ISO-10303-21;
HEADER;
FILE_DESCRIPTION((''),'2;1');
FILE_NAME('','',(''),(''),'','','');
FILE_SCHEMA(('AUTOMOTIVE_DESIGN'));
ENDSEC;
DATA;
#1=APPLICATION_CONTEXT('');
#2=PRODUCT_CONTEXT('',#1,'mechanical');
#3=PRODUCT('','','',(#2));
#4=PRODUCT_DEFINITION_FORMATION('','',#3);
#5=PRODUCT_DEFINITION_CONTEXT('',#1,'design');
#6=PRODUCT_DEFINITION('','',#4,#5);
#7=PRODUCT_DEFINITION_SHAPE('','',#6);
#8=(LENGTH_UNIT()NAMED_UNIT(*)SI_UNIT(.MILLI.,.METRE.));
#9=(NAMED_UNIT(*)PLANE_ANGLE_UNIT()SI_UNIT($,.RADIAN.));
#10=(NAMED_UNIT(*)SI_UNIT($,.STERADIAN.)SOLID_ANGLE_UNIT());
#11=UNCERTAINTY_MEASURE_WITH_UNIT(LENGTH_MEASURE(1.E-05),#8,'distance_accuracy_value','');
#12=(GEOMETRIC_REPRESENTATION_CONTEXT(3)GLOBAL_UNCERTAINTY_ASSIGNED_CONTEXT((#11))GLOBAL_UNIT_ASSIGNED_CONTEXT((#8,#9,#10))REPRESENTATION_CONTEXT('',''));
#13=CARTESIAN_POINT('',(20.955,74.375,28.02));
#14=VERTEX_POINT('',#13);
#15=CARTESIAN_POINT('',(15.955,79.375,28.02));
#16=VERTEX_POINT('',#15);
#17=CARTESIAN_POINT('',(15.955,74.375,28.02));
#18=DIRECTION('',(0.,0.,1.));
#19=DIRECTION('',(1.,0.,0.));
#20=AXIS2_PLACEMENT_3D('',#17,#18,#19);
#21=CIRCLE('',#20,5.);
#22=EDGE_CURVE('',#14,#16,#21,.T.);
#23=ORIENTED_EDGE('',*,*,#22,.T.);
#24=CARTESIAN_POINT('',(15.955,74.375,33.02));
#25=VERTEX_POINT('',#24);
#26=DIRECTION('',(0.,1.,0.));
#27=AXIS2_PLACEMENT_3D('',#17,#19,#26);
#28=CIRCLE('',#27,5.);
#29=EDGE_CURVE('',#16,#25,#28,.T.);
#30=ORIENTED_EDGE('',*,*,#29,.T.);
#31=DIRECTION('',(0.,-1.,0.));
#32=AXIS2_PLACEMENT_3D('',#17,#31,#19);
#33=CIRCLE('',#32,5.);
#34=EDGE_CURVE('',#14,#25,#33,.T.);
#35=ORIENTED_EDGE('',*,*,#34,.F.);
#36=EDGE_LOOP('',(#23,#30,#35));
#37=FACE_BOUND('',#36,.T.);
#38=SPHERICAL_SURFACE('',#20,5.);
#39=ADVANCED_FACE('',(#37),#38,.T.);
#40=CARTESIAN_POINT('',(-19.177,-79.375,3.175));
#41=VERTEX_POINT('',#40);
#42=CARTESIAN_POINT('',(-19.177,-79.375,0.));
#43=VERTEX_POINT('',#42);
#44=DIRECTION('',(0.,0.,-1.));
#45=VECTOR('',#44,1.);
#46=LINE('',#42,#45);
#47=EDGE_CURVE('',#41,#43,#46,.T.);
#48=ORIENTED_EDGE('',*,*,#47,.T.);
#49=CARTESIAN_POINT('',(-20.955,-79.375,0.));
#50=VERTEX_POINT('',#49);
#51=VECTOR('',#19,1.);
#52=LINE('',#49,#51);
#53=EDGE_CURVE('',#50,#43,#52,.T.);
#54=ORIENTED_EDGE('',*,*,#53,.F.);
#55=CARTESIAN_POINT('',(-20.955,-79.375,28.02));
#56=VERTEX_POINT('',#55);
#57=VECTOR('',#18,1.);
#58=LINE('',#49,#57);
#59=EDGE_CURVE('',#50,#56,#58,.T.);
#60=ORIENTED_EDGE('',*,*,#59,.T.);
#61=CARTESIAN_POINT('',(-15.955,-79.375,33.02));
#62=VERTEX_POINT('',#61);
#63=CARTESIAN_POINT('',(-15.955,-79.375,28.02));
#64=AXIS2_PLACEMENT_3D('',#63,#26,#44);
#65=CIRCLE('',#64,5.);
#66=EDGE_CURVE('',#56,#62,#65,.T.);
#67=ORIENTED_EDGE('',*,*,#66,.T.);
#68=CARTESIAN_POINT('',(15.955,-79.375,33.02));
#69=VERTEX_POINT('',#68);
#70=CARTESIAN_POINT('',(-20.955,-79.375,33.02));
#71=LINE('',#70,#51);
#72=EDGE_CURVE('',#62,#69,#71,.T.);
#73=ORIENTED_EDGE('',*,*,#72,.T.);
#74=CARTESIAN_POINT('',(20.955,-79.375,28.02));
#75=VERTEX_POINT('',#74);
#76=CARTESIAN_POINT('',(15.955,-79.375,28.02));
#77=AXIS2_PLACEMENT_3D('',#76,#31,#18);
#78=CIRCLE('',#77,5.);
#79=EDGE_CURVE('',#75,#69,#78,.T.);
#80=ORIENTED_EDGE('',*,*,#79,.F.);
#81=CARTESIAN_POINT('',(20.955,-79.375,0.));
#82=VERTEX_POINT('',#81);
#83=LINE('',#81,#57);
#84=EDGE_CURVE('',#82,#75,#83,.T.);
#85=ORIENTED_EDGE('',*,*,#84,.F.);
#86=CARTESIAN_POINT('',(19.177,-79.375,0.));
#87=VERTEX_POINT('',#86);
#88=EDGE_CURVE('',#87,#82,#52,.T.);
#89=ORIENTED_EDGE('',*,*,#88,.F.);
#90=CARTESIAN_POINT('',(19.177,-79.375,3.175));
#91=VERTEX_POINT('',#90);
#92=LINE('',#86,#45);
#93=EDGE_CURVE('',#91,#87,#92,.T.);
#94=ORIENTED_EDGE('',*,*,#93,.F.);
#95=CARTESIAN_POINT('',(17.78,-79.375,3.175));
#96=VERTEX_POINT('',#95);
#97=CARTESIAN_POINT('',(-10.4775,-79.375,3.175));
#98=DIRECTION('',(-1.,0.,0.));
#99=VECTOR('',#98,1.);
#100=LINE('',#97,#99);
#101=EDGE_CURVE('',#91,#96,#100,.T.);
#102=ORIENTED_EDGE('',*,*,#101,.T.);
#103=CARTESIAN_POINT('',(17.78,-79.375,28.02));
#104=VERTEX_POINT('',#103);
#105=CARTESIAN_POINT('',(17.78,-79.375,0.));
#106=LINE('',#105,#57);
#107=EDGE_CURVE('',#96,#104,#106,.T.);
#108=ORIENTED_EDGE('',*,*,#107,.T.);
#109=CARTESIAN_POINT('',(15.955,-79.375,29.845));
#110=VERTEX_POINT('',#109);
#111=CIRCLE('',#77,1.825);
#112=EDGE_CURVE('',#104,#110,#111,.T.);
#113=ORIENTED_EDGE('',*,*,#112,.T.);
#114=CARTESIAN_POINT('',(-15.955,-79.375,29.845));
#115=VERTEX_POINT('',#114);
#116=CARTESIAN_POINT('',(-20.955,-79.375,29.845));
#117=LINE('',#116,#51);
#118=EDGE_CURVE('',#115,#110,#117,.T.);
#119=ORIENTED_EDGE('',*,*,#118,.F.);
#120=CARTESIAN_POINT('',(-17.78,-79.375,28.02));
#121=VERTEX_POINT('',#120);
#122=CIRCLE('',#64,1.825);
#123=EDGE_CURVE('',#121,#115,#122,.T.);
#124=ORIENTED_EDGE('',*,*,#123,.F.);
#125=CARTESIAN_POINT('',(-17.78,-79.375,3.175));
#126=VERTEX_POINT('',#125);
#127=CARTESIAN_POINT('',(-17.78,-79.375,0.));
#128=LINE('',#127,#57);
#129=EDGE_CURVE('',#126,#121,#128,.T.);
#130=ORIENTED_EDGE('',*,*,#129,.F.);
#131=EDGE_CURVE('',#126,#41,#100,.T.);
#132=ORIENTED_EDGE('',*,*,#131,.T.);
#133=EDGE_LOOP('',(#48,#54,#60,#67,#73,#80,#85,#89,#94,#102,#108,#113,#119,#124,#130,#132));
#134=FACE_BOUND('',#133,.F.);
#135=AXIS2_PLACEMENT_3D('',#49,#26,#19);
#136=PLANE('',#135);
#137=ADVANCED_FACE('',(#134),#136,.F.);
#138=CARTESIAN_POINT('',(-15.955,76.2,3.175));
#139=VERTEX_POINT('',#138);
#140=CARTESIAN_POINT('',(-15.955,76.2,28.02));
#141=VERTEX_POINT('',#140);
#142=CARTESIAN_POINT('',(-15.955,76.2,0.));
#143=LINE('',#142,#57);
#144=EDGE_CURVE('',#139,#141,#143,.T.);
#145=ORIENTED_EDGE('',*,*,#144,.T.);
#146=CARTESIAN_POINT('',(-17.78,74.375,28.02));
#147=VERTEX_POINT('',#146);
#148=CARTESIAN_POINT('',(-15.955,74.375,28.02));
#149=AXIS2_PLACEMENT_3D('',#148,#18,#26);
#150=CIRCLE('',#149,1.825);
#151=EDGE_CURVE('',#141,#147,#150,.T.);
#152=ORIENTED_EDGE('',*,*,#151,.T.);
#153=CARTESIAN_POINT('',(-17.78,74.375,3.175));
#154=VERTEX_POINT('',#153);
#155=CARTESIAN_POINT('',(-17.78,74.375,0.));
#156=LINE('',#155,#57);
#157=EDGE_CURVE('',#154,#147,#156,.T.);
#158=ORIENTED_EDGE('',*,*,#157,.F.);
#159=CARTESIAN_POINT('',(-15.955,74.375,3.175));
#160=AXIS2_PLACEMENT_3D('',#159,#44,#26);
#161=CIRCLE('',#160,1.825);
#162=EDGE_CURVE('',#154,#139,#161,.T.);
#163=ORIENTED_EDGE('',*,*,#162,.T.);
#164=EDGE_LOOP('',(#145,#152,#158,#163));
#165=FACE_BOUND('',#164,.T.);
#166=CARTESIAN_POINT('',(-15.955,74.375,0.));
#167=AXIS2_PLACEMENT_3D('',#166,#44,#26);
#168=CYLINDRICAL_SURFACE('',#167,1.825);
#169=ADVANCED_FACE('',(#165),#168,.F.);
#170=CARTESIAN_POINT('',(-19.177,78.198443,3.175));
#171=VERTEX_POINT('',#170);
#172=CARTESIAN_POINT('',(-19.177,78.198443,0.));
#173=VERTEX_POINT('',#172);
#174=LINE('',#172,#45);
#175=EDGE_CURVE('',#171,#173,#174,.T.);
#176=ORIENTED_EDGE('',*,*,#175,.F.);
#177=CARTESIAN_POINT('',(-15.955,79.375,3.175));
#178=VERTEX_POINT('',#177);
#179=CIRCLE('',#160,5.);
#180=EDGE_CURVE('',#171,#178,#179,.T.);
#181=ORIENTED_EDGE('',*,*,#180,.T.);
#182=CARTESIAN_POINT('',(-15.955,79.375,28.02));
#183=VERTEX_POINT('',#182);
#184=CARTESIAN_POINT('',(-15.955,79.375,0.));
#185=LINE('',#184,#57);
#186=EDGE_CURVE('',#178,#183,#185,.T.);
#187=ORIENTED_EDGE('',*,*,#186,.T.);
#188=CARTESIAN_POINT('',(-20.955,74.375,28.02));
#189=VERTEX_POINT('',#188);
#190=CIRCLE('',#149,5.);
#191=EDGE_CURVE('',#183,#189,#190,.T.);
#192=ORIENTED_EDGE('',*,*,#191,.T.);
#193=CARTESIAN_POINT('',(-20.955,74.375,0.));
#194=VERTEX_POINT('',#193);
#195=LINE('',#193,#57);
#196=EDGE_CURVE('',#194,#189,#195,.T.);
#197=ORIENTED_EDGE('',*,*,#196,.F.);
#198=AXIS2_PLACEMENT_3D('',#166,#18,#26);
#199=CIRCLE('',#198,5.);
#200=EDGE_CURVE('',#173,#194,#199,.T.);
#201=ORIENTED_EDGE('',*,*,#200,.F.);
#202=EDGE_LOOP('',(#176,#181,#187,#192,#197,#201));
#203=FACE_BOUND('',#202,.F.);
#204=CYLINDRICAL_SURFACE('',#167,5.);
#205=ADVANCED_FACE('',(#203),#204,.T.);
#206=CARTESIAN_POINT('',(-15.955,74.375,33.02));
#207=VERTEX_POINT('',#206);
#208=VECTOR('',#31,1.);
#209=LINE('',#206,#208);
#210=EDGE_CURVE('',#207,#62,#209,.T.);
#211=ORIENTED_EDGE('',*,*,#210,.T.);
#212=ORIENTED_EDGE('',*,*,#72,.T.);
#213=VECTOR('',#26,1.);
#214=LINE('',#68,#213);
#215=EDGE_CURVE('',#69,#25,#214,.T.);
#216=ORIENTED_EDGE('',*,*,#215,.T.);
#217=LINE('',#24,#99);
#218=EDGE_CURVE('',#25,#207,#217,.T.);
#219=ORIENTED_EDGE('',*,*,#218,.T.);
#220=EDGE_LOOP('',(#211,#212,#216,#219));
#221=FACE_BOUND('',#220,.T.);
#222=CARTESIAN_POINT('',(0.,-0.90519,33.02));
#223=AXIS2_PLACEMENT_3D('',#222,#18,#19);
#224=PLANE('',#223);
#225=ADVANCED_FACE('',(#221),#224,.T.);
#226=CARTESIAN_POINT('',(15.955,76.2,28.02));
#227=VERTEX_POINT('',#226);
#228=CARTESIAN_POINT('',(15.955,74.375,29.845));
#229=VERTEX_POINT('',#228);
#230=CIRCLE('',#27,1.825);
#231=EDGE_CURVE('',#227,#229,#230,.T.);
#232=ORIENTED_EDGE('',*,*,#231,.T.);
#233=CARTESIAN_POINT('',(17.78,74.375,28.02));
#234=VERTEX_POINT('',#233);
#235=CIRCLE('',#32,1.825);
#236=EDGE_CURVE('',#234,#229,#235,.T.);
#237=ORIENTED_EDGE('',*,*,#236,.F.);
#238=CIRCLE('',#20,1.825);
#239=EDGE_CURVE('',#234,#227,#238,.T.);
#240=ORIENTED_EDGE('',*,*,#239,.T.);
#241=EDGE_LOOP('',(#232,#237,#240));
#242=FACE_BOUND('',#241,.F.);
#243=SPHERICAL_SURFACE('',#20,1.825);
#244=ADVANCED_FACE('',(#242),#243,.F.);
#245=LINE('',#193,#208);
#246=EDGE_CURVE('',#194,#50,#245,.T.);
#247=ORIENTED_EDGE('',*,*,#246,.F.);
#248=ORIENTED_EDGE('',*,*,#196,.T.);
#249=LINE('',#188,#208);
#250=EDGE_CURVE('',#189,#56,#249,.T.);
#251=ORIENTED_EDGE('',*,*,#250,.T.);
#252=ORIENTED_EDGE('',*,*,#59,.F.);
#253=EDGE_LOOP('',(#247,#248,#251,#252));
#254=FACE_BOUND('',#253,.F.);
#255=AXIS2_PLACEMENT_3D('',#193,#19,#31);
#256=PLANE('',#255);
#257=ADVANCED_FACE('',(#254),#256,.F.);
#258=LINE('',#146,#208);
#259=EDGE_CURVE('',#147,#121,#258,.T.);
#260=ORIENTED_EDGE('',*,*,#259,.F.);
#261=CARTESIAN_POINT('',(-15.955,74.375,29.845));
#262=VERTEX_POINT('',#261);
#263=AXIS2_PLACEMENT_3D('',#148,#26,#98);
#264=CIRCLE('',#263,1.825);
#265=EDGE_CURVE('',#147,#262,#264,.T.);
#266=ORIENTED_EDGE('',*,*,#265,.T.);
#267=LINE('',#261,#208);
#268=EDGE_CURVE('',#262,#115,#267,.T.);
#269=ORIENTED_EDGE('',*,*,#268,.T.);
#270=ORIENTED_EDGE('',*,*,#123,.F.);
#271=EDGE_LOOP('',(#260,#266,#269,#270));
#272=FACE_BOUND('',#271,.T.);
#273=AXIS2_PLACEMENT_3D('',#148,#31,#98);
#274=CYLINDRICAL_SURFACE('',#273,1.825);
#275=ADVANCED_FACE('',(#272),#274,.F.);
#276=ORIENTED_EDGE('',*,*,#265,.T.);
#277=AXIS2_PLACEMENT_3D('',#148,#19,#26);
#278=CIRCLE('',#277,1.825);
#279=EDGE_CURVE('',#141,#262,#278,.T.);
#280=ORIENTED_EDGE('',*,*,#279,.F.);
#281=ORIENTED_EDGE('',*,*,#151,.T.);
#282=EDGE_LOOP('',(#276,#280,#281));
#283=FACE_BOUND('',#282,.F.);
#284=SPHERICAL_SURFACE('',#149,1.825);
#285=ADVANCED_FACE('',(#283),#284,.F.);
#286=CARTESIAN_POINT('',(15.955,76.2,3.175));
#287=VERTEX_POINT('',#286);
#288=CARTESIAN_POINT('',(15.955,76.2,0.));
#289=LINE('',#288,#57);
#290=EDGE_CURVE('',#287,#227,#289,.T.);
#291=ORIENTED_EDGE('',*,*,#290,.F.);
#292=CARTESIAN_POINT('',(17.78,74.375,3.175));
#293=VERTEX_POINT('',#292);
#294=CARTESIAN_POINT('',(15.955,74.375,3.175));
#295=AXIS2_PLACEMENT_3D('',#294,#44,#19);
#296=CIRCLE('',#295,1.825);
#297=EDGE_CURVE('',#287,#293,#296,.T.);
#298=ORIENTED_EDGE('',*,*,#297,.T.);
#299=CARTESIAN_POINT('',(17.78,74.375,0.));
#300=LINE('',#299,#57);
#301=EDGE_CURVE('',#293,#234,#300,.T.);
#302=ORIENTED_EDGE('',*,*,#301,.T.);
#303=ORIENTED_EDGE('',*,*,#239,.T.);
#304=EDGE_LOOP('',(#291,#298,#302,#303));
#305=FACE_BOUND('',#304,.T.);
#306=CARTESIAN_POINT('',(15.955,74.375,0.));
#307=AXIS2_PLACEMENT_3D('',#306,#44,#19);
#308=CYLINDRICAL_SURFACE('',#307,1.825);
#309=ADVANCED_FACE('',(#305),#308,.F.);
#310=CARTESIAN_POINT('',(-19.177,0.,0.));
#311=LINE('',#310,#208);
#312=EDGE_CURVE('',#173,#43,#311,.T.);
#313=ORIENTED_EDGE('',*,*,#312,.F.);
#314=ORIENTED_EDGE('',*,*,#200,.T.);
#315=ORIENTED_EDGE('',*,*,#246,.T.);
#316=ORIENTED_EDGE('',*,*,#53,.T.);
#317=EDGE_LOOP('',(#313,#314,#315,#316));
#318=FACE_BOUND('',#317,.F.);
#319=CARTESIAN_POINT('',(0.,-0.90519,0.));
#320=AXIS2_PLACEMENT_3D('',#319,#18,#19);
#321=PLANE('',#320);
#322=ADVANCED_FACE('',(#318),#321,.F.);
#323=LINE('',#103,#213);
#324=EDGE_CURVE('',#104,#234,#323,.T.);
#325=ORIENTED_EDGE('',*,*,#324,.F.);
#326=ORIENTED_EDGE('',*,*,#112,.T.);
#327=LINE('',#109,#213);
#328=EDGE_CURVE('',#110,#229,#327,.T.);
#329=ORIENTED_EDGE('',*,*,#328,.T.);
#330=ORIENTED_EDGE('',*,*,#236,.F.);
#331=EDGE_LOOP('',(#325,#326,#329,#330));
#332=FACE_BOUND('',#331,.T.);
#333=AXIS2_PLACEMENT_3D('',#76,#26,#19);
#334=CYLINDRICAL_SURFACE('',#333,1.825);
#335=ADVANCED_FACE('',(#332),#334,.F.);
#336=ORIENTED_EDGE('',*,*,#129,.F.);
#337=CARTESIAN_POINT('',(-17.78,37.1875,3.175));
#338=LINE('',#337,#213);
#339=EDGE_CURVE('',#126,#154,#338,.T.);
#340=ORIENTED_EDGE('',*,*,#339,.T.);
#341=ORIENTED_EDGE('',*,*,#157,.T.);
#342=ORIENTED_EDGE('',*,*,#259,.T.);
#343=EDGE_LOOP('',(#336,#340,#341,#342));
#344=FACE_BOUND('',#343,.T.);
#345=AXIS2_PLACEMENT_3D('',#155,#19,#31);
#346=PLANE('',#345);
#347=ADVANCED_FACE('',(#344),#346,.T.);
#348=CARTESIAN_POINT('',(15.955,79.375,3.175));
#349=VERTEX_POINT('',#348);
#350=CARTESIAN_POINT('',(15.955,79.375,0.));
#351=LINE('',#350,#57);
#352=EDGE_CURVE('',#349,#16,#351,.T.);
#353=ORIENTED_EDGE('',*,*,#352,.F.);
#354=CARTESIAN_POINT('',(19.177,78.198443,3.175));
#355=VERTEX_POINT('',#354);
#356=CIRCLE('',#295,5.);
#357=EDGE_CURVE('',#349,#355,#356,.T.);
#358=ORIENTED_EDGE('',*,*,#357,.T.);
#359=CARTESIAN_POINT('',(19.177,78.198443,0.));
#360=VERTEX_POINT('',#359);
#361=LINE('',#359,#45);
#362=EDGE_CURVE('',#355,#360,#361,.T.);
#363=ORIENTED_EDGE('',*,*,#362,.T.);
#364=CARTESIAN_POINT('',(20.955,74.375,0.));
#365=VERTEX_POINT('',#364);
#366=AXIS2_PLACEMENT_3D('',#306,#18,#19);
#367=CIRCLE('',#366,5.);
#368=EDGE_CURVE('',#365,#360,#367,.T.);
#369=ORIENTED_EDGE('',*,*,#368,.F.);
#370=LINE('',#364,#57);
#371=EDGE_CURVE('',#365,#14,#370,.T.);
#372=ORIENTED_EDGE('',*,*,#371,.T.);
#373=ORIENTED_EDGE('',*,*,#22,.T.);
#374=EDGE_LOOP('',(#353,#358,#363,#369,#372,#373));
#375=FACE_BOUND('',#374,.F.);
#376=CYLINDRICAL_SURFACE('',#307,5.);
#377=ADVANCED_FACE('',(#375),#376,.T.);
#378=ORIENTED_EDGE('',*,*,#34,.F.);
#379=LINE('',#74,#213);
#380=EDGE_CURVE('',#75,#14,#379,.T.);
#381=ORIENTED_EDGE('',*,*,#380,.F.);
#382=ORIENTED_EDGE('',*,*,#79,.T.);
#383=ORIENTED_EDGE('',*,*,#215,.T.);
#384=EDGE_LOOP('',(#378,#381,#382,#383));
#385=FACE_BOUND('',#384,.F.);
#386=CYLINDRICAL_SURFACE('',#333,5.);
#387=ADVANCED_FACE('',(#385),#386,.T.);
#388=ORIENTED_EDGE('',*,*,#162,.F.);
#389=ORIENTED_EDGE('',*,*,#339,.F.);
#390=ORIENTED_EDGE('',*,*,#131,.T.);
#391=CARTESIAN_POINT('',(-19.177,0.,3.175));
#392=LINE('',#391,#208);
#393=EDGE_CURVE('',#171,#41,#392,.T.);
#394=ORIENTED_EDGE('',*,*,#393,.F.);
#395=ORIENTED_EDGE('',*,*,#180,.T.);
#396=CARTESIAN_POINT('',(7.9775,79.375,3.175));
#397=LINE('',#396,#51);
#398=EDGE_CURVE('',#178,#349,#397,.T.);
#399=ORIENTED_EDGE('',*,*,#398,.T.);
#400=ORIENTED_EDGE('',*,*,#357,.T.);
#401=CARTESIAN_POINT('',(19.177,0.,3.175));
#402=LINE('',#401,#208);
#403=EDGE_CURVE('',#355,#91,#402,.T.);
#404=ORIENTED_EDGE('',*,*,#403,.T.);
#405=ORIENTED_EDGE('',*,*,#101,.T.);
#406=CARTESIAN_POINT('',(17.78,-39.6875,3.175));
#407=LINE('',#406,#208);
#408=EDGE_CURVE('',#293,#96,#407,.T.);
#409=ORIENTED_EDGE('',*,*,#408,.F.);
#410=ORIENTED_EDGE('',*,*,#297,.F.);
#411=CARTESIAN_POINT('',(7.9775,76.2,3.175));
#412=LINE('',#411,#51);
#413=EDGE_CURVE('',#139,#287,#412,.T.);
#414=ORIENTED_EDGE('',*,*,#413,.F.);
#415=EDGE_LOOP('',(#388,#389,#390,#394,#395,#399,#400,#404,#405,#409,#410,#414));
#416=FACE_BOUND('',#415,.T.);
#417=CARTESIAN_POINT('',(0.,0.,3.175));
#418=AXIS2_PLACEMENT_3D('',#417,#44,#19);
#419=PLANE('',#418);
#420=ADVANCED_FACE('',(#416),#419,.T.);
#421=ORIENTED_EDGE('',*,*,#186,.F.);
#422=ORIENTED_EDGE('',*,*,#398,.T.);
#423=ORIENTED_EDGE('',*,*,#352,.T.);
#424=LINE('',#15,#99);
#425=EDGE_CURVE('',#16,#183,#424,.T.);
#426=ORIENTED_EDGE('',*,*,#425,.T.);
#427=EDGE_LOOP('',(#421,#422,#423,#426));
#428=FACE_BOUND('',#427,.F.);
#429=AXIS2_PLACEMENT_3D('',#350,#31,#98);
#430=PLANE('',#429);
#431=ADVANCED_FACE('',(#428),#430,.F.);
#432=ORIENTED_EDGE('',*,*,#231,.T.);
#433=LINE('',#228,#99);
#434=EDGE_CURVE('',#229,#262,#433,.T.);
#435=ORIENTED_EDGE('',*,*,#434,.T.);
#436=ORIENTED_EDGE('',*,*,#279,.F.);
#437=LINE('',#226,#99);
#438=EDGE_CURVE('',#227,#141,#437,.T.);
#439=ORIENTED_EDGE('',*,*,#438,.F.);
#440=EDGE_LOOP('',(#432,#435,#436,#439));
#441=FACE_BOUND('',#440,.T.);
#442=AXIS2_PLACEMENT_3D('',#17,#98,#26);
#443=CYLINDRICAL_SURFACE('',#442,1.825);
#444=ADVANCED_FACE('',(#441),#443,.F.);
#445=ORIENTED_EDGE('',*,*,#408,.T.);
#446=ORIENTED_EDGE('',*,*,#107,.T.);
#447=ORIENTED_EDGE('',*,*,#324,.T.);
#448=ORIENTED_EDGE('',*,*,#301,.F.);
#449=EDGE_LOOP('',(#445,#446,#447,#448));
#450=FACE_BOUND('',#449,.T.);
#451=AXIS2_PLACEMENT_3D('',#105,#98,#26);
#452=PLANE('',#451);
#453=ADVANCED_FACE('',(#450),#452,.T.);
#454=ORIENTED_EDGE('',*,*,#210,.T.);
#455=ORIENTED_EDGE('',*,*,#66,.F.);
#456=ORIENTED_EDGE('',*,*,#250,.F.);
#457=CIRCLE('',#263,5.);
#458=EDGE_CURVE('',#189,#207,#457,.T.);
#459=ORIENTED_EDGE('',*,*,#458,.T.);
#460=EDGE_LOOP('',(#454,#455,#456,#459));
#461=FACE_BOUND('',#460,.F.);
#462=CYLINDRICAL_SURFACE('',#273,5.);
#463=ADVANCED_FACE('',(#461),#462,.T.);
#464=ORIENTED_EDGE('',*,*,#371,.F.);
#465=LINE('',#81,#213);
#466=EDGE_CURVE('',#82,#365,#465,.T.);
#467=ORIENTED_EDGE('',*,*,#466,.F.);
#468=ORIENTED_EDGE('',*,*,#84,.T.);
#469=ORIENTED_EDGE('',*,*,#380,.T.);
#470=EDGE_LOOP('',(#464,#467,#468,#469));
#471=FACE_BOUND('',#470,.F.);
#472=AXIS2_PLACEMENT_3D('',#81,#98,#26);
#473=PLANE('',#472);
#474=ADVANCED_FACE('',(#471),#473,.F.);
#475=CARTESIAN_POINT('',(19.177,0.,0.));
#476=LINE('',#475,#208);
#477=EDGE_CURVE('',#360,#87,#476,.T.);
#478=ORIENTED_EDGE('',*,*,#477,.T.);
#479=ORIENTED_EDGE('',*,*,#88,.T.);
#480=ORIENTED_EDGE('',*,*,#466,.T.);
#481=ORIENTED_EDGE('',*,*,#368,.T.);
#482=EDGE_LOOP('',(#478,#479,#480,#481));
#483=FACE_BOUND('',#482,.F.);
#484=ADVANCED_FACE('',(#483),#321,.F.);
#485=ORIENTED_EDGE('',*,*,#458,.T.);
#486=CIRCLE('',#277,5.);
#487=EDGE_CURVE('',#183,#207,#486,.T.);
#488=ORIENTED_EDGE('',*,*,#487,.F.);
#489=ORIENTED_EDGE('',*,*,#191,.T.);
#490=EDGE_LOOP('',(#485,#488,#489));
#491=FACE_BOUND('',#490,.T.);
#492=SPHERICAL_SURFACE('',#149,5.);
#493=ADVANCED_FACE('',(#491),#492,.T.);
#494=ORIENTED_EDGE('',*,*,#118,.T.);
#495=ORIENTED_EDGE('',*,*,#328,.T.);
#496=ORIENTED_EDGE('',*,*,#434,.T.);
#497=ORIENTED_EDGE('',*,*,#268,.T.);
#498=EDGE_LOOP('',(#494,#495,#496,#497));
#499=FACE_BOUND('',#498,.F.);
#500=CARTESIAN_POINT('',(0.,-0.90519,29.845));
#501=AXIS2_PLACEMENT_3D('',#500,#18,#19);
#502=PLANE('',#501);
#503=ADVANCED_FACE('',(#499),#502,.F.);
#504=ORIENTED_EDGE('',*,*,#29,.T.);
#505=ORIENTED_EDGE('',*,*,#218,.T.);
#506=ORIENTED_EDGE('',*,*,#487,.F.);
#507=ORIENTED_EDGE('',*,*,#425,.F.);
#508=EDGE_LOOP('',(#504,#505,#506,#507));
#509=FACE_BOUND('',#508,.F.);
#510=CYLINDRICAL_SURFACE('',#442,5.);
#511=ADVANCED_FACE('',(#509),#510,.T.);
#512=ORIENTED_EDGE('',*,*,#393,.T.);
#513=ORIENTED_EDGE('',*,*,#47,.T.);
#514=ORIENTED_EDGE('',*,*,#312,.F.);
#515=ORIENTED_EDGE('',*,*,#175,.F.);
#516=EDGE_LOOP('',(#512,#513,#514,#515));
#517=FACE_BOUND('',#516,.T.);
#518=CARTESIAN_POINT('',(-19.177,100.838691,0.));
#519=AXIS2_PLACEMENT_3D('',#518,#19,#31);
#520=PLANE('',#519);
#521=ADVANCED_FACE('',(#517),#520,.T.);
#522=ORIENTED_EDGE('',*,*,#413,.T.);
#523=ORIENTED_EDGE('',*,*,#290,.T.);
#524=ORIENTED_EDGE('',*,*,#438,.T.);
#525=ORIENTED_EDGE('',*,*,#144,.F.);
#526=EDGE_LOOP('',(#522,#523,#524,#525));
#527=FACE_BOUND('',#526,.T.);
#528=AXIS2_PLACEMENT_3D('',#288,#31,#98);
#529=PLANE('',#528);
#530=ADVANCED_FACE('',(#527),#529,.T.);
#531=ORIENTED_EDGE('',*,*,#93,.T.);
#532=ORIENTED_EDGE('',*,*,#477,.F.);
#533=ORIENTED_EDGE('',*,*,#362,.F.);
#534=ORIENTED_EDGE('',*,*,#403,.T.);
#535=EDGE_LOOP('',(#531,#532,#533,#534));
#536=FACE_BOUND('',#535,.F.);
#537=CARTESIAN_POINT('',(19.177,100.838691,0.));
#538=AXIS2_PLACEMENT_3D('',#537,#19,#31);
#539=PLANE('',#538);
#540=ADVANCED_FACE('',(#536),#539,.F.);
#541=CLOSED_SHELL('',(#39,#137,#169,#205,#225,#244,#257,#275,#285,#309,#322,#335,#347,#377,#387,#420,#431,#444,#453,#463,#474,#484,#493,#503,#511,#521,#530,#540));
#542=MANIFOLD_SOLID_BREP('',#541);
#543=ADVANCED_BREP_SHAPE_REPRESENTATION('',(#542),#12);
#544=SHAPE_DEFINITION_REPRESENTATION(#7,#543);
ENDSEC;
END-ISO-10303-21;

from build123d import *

# Parameters (mm, degrees)
F1_DEPTH = 33.02
F2_R     = 5
F3_T     = -3.175
F4_W     = 38.354
F4_H     = 201.6773819923
F5_DEPTH = 3.175


with BuildPart() as f1:
    # F0 (on Top) → F1 (new body)
    with BuildSketch(Plane.XY):
        with BuildLine():
            ThreePointArc((20.955, 74.375), (19.4905339059, 77.9105339059), (15.955, 79.375))
            Line((15.955, 79.375), (-15.955, 79.375))
            ThreePointArc((-15.955, 79.375), (-19.4905339059, 77.9105339059), (-20.955, 74.375))
            Line((-20.955, 74.375), (-20.955, -79.375))
            Line((-20.955, -79.375), (20.955, -79.375))
            Line((20.955, -79.375), (20.955, 74.375))
        make_face()
    extrude(amount=F1_DEPTH)

    # F2
    f2_edges = [f1.edges().sort_by_distance(p)[0] for p in [
        (-20.955, -2.5, 33.02),
        (0, 79.375, 33.02),
    ]]
    fillet(f2_edges, radius=F2_R)

    # F3
    f3_openings = [f1.faces().sort_by_distance(p)[0] for p in [
        (0, -79.375, 16.389713),
        (0, -0.126416, 0),
    ]]
    offset(amount=F3_T, openings=f3_openings)

    # F4 (on face) → F5 (cut)
    with BuildSketch(Plane(origin=(0, 0, 0), x_dir=(1, 0, 0), z_dir=(0, 0, -1))):
        Rectangle(F4_W, F4_H)
    extrude(amount=-F5_DEPTH, mode=Mode.SUBTRACT)


solid = f1.part
